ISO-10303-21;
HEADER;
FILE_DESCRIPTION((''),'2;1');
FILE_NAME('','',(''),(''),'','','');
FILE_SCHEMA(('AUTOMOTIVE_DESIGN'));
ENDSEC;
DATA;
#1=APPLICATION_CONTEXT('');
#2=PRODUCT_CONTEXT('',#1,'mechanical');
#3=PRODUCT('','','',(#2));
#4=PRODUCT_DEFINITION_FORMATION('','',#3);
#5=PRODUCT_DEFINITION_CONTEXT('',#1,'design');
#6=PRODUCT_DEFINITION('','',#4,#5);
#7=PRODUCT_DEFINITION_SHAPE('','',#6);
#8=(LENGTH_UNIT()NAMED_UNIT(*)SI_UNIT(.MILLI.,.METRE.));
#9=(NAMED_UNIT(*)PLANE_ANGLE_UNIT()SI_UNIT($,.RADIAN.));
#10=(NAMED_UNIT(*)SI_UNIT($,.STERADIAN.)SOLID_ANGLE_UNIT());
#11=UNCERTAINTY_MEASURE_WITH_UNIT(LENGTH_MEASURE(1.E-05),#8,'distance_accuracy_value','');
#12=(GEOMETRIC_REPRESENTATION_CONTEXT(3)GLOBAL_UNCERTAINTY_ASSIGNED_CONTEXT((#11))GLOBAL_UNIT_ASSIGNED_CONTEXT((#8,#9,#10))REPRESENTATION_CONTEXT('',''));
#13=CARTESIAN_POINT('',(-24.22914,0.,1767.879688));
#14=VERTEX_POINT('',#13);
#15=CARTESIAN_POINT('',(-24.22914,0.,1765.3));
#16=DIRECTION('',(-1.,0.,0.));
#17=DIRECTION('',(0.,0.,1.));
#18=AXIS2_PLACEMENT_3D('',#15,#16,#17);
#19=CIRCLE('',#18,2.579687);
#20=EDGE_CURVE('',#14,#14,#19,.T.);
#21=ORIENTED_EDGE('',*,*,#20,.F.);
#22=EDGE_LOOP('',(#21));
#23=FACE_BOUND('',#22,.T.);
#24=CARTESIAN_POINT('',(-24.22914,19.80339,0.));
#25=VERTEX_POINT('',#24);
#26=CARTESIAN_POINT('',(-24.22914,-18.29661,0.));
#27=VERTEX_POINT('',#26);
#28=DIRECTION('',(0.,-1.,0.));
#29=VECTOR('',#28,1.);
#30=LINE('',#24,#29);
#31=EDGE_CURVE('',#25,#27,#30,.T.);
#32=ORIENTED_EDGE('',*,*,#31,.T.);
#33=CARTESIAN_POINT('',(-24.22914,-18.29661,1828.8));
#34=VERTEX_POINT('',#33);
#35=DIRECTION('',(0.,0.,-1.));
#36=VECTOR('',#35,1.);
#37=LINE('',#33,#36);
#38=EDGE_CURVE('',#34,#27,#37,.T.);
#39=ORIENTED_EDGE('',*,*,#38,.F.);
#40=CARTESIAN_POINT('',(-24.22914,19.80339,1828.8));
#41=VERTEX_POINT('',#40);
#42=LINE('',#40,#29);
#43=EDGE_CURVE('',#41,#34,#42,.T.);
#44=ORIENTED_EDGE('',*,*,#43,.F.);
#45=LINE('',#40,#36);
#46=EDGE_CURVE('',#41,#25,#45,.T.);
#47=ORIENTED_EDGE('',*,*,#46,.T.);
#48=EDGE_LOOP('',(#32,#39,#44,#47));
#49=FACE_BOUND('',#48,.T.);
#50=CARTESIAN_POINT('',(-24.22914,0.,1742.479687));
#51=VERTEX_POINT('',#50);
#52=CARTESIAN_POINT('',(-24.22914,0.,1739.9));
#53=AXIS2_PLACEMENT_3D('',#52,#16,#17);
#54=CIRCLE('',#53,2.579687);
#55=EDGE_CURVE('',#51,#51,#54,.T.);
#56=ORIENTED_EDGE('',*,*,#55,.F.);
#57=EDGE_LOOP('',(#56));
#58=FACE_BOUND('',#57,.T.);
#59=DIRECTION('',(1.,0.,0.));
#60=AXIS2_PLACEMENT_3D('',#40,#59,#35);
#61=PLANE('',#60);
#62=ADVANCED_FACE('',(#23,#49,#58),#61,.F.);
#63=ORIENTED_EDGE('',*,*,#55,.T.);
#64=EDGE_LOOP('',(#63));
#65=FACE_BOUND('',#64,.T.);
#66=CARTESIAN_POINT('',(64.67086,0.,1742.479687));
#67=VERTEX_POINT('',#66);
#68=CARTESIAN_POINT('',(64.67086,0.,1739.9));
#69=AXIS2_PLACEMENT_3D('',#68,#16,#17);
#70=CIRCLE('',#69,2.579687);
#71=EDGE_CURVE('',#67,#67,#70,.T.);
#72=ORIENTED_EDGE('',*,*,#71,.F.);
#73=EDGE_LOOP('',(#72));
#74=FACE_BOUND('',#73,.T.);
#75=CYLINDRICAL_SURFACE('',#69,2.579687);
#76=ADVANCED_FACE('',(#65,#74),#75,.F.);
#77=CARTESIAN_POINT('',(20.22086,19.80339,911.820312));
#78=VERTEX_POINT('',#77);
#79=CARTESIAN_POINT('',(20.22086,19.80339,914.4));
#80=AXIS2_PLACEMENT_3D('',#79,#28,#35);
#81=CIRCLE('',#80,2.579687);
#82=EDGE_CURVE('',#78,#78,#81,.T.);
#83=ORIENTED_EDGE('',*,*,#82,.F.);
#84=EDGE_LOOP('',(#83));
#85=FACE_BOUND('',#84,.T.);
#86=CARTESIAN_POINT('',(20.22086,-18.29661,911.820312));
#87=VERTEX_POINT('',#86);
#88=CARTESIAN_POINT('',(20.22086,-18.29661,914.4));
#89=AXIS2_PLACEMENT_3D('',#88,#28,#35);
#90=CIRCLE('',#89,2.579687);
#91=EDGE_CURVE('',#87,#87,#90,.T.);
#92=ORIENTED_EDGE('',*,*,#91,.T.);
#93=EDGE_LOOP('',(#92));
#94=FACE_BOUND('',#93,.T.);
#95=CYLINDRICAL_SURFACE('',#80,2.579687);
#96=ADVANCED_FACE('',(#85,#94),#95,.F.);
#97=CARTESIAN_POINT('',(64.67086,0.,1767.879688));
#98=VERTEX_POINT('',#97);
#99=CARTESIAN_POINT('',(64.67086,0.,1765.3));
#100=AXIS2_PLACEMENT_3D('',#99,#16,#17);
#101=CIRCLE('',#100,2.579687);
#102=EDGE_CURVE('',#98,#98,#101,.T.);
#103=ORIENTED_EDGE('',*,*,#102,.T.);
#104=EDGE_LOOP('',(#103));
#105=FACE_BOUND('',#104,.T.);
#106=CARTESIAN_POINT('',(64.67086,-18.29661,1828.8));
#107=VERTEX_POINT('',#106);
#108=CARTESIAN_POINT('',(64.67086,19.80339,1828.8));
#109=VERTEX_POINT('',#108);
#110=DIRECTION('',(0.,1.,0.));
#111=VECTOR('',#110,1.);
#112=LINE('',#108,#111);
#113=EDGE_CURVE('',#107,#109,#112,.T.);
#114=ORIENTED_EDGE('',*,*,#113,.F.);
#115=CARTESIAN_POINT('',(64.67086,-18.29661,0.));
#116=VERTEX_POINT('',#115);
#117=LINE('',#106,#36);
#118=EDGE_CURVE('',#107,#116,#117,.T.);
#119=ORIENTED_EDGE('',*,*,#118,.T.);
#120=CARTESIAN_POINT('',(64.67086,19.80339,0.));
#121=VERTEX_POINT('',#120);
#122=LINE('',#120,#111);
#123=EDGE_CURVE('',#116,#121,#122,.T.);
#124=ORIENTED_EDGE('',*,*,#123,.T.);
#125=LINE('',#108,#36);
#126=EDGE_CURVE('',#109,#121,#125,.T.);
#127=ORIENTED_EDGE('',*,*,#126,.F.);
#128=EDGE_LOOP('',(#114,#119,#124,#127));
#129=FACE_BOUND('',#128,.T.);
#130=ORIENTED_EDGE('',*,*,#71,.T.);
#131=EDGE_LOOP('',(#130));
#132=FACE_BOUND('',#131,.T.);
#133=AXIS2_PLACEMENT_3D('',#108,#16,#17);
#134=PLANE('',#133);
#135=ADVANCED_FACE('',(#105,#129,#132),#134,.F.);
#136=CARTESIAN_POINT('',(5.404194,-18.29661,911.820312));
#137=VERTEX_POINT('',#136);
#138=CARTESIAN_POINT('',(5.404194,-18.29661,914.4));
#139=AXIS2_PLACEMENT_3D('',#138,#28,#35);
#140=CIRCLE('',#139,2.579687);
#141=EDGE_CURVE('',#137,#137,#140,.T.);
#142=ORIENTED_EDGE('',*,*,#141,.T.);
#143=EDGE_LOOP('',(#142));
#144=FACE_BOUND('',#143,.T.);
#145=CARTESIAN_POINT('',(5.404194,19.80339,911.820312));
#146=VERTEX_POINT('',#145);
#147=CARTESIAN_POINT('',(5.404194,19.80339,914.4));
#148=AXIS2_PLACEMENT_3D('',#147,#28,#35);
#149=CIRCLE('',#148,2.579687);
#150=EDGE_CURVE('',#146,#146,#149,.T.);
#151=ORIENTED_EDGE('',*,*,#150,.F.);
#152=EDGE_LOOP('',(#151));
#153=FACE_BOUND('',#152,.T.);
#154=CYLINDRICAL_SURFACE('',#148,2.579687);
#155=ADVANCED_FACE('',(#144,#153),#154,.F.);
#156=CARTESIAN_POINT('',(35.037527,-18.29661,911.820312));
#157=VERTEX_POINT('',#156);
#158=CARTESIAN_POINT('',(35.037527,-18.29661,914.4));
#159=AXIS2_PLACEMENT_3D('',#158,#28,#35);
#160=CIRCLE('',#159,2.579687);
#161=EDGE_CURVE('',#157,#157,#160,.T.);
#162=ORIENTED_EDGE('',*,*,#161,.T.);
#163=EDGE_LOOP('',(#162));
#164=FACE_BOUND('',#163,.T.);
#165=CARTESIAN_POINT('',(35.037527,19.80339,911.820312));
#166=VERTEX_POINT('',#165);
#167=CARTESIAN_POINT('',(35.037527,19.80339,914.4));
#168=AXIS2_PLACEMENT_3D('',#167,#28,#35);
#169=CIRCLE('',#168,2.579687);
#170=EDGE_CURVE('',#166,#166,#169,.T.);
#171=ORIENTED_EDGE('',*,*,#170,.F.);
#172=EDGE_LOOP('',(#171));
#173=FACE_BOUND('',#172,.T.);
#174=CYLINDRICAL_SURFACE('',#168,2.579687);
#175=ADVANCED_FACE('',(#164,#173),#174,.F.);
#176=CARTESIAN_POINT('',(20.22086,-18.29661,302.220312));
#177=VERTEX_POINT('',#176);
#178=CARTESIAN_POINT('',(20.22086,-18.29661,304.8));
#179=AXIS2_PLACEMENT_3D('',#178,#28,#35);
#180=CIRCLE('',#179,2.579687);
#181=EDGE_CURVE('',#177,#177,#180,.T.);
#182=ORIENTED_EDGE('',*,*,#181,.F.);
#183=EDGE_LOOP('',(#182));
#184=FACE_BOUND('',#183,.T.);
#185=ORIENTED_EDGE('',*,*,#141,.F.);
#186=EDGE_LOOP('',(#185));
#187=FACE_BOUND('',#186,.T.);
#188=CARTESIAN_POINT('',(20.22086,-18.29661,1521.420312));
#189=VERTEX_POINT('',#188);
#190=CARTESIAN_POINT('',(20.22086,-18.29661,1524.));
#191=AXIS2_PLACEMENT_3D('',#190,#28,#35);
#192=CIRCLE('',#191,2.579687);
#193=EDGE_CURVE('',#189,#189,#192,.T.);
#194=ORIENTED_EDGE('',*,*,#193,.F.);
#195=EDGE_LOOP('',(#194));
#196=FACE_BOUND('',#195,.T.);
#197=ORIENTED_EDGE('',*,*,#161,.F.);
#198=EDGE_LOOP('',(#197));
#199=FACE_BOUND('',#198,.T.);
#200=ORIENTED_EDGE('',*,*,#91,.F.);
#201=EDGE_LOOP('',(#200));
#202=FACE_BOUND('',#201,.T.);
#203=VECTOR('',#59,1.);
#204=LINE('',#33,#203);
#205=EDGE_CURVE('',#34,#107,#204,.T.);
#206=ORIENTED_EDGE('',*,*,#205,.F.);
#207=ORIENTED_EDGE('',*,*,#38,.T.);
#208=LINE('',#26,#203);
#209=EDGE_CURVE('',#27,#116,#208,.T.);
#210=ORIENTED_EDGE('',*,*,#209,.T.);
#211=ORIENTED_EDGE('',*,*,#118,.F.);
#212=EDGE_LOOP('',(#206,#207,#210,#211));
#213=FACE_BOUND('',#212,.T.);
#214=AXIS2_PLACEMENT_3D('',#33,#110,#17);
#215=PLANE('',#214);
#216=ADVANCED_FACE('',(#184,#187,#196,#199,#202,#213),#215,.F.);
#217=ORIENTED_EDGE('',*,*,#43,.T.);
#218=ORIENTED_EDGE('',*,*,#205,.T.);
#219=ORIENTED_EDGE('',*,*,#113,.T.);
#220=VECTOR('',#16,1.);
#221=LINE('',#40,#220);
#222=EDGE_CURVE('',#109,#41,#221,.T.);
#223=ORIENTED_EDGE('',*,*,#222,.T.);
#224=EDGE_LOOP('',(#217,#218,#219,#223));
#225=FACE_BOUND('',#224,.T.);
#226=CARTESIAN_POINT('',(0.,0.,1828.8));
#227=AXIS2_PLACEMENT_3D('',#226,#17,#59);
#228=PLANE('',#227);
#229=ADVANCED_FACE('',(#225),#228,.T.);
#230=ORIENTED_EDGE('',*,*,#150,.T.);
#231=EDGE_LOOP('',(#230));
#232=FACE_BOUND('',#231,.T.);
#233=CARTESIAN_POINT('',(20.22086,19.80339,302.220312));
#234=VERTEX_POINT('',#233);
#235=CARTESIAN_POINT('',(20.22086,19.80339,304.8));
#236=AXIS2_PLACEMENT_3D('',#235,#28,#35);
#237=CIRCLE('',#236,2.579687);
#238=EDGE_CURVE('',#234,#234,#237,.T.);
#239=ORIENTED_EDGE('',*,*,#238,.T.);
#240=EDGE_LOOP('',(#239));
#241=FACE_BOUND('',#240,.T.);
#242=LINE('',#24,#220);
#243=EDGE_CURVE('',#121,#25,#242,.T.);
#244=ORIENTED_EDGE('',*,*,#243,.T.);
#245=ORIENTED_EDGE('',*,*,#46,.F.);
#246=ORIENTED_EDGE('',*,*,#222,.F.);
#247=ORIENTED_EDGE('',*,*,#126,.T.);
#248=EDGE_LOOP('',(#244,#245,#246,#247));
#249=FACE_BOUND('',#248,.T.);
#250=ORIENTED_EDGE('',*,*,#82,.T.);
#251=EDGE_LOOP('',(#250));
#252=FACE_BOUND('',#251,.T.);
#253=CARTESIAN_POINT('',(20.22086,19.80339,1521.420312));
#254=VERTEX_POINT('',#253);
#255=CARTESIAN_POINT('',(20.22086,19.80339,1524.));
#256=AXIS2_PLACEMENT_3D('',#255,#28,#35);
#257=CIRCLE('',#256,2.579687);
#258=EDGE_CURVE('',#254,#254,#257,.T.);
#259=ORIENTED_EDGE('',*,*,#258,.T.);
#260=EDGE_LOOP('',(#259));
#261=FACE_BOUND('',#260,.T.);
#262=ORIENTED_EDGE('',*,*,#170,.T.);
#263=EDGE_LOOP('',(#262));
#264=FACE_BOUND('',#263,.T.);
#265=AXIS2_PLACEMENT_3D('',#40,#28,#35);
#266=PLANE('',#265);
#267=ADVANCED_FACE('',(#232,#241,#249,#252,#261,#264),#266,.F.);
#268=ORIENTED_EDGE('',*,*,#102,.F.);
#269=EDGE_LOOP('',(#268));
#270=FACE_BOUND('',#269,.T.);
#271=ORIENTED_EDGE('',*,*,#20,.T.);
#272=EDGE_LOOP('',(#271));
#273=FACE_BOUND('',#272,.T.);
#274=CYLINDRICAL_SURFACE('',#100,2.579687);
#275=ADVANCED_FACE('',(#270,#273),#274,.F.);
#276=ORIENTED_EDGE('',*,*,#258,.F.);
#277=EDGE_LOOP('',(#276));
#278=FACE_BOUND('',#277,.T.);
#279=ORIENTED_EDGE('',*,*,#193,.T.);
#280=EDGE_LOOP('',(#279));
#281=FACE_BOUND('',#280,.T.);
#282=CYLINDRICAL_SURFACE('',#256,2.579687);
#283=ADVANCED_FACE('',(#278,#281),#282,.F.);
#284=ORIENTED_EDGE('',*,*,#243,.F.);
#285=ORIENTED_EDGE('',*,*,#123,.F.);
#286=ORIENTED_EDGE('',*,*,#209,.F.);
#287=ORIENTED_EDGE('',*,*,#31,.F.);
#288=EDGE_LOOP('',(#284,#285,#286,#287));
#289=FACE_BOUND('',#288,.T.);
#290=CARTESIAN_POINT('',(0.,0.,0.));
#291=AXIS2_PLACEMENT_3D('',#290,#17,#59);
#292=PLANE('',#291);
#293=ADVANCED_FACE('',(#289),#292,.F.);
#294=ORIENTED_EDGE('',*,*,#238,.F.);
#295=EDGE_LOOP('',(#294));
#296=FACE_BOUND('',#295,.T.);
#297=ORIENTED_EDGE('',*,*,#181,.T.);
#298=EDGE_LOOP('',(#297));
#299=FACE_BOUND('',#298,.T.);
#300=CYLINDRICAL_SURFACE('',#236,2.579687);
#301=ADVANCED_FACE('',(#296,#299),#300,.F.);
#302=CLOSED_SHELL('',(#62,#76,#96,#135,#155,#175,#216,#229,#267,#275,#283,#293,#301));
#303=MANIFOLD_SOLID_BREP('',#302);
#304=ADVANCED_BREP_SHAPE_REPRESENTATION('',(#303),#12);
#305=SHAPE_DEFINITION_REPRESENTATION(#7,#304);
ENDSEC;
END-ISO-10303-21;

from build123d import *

# Parameters (mm, degrees)
SKETCH1_W           = 88.9
SKETCH1_H           = 38.1
BOSS_EXTRUDE1_DEPTH = 1828.8
SKETCH2_R           = 2.5796875
CUT_EXTRUDE1_DEPTH  = 89.9
SKETCH3_R           = 2.5796875
CUT_EXTRUDE2_DEPTH  = 39.1
SKETCH4_R           = 2.5796875
CUT_EXTRUDE3_DEPTH  = 39.1


with BuildPart() as part:
    # Sketch1 → Boss-Extrude1 (new body)
    with BuildSketch(Plane.XY):
        with Locations((20.220860341, 0.753389831)):
            Rectangle(SKETCH1_W, SKETCH1_H)
    extrude(amount=BOSS_EXTRUDE1_DEPTH)

    # Sketch2 → Cut-Extrude1 (cut, through all)
    with BuildSketch(Plane.ZY.offset(24.229139659)):
        with Locations((1739.9, 0)):
            Circle(SKETCH2_R)
        with Locations((1765.3, 0)):
            Circle(SKETCH2_R)
    extrude(amount=-CUT_EXTRUDE1_DEPTH, mode=Mode.SUBTRACT)

    # Sketch3 → Cut-Extrude2 (cut, through all)
    with BuildSketch(Plane.XZ.offset(18.296610169)):
        with Locations((35.037527007, 914.4)):
            Circle(SKETCH3_R)
        with Locations((5.404193674, 914.4)):
            Circle(SKETCH3_R)
    extrude(amount=-CUT_EXTRUDE2_DEPTH, mode=Mode.SUBTRACT)

    # Sketch4 → Cut-Extrude3 (cut, through all)
    with BuildSketch(Plane.XZ.offset(18.296610169)):
        with Locations((20.220860341, 1524)):
            Circle(SKETCH4_R)
        with Locations((20.220860341, 914.4)):
            Circle(SKETCH4_R)
        with Locations((20.220860341, 304.8)):
            Circle(SKETCH4_R)
    extrude(amount=-CUT_EXTRUDE3_DEPTH, mode=Mode.SUBTRACT)


solid = part.part
